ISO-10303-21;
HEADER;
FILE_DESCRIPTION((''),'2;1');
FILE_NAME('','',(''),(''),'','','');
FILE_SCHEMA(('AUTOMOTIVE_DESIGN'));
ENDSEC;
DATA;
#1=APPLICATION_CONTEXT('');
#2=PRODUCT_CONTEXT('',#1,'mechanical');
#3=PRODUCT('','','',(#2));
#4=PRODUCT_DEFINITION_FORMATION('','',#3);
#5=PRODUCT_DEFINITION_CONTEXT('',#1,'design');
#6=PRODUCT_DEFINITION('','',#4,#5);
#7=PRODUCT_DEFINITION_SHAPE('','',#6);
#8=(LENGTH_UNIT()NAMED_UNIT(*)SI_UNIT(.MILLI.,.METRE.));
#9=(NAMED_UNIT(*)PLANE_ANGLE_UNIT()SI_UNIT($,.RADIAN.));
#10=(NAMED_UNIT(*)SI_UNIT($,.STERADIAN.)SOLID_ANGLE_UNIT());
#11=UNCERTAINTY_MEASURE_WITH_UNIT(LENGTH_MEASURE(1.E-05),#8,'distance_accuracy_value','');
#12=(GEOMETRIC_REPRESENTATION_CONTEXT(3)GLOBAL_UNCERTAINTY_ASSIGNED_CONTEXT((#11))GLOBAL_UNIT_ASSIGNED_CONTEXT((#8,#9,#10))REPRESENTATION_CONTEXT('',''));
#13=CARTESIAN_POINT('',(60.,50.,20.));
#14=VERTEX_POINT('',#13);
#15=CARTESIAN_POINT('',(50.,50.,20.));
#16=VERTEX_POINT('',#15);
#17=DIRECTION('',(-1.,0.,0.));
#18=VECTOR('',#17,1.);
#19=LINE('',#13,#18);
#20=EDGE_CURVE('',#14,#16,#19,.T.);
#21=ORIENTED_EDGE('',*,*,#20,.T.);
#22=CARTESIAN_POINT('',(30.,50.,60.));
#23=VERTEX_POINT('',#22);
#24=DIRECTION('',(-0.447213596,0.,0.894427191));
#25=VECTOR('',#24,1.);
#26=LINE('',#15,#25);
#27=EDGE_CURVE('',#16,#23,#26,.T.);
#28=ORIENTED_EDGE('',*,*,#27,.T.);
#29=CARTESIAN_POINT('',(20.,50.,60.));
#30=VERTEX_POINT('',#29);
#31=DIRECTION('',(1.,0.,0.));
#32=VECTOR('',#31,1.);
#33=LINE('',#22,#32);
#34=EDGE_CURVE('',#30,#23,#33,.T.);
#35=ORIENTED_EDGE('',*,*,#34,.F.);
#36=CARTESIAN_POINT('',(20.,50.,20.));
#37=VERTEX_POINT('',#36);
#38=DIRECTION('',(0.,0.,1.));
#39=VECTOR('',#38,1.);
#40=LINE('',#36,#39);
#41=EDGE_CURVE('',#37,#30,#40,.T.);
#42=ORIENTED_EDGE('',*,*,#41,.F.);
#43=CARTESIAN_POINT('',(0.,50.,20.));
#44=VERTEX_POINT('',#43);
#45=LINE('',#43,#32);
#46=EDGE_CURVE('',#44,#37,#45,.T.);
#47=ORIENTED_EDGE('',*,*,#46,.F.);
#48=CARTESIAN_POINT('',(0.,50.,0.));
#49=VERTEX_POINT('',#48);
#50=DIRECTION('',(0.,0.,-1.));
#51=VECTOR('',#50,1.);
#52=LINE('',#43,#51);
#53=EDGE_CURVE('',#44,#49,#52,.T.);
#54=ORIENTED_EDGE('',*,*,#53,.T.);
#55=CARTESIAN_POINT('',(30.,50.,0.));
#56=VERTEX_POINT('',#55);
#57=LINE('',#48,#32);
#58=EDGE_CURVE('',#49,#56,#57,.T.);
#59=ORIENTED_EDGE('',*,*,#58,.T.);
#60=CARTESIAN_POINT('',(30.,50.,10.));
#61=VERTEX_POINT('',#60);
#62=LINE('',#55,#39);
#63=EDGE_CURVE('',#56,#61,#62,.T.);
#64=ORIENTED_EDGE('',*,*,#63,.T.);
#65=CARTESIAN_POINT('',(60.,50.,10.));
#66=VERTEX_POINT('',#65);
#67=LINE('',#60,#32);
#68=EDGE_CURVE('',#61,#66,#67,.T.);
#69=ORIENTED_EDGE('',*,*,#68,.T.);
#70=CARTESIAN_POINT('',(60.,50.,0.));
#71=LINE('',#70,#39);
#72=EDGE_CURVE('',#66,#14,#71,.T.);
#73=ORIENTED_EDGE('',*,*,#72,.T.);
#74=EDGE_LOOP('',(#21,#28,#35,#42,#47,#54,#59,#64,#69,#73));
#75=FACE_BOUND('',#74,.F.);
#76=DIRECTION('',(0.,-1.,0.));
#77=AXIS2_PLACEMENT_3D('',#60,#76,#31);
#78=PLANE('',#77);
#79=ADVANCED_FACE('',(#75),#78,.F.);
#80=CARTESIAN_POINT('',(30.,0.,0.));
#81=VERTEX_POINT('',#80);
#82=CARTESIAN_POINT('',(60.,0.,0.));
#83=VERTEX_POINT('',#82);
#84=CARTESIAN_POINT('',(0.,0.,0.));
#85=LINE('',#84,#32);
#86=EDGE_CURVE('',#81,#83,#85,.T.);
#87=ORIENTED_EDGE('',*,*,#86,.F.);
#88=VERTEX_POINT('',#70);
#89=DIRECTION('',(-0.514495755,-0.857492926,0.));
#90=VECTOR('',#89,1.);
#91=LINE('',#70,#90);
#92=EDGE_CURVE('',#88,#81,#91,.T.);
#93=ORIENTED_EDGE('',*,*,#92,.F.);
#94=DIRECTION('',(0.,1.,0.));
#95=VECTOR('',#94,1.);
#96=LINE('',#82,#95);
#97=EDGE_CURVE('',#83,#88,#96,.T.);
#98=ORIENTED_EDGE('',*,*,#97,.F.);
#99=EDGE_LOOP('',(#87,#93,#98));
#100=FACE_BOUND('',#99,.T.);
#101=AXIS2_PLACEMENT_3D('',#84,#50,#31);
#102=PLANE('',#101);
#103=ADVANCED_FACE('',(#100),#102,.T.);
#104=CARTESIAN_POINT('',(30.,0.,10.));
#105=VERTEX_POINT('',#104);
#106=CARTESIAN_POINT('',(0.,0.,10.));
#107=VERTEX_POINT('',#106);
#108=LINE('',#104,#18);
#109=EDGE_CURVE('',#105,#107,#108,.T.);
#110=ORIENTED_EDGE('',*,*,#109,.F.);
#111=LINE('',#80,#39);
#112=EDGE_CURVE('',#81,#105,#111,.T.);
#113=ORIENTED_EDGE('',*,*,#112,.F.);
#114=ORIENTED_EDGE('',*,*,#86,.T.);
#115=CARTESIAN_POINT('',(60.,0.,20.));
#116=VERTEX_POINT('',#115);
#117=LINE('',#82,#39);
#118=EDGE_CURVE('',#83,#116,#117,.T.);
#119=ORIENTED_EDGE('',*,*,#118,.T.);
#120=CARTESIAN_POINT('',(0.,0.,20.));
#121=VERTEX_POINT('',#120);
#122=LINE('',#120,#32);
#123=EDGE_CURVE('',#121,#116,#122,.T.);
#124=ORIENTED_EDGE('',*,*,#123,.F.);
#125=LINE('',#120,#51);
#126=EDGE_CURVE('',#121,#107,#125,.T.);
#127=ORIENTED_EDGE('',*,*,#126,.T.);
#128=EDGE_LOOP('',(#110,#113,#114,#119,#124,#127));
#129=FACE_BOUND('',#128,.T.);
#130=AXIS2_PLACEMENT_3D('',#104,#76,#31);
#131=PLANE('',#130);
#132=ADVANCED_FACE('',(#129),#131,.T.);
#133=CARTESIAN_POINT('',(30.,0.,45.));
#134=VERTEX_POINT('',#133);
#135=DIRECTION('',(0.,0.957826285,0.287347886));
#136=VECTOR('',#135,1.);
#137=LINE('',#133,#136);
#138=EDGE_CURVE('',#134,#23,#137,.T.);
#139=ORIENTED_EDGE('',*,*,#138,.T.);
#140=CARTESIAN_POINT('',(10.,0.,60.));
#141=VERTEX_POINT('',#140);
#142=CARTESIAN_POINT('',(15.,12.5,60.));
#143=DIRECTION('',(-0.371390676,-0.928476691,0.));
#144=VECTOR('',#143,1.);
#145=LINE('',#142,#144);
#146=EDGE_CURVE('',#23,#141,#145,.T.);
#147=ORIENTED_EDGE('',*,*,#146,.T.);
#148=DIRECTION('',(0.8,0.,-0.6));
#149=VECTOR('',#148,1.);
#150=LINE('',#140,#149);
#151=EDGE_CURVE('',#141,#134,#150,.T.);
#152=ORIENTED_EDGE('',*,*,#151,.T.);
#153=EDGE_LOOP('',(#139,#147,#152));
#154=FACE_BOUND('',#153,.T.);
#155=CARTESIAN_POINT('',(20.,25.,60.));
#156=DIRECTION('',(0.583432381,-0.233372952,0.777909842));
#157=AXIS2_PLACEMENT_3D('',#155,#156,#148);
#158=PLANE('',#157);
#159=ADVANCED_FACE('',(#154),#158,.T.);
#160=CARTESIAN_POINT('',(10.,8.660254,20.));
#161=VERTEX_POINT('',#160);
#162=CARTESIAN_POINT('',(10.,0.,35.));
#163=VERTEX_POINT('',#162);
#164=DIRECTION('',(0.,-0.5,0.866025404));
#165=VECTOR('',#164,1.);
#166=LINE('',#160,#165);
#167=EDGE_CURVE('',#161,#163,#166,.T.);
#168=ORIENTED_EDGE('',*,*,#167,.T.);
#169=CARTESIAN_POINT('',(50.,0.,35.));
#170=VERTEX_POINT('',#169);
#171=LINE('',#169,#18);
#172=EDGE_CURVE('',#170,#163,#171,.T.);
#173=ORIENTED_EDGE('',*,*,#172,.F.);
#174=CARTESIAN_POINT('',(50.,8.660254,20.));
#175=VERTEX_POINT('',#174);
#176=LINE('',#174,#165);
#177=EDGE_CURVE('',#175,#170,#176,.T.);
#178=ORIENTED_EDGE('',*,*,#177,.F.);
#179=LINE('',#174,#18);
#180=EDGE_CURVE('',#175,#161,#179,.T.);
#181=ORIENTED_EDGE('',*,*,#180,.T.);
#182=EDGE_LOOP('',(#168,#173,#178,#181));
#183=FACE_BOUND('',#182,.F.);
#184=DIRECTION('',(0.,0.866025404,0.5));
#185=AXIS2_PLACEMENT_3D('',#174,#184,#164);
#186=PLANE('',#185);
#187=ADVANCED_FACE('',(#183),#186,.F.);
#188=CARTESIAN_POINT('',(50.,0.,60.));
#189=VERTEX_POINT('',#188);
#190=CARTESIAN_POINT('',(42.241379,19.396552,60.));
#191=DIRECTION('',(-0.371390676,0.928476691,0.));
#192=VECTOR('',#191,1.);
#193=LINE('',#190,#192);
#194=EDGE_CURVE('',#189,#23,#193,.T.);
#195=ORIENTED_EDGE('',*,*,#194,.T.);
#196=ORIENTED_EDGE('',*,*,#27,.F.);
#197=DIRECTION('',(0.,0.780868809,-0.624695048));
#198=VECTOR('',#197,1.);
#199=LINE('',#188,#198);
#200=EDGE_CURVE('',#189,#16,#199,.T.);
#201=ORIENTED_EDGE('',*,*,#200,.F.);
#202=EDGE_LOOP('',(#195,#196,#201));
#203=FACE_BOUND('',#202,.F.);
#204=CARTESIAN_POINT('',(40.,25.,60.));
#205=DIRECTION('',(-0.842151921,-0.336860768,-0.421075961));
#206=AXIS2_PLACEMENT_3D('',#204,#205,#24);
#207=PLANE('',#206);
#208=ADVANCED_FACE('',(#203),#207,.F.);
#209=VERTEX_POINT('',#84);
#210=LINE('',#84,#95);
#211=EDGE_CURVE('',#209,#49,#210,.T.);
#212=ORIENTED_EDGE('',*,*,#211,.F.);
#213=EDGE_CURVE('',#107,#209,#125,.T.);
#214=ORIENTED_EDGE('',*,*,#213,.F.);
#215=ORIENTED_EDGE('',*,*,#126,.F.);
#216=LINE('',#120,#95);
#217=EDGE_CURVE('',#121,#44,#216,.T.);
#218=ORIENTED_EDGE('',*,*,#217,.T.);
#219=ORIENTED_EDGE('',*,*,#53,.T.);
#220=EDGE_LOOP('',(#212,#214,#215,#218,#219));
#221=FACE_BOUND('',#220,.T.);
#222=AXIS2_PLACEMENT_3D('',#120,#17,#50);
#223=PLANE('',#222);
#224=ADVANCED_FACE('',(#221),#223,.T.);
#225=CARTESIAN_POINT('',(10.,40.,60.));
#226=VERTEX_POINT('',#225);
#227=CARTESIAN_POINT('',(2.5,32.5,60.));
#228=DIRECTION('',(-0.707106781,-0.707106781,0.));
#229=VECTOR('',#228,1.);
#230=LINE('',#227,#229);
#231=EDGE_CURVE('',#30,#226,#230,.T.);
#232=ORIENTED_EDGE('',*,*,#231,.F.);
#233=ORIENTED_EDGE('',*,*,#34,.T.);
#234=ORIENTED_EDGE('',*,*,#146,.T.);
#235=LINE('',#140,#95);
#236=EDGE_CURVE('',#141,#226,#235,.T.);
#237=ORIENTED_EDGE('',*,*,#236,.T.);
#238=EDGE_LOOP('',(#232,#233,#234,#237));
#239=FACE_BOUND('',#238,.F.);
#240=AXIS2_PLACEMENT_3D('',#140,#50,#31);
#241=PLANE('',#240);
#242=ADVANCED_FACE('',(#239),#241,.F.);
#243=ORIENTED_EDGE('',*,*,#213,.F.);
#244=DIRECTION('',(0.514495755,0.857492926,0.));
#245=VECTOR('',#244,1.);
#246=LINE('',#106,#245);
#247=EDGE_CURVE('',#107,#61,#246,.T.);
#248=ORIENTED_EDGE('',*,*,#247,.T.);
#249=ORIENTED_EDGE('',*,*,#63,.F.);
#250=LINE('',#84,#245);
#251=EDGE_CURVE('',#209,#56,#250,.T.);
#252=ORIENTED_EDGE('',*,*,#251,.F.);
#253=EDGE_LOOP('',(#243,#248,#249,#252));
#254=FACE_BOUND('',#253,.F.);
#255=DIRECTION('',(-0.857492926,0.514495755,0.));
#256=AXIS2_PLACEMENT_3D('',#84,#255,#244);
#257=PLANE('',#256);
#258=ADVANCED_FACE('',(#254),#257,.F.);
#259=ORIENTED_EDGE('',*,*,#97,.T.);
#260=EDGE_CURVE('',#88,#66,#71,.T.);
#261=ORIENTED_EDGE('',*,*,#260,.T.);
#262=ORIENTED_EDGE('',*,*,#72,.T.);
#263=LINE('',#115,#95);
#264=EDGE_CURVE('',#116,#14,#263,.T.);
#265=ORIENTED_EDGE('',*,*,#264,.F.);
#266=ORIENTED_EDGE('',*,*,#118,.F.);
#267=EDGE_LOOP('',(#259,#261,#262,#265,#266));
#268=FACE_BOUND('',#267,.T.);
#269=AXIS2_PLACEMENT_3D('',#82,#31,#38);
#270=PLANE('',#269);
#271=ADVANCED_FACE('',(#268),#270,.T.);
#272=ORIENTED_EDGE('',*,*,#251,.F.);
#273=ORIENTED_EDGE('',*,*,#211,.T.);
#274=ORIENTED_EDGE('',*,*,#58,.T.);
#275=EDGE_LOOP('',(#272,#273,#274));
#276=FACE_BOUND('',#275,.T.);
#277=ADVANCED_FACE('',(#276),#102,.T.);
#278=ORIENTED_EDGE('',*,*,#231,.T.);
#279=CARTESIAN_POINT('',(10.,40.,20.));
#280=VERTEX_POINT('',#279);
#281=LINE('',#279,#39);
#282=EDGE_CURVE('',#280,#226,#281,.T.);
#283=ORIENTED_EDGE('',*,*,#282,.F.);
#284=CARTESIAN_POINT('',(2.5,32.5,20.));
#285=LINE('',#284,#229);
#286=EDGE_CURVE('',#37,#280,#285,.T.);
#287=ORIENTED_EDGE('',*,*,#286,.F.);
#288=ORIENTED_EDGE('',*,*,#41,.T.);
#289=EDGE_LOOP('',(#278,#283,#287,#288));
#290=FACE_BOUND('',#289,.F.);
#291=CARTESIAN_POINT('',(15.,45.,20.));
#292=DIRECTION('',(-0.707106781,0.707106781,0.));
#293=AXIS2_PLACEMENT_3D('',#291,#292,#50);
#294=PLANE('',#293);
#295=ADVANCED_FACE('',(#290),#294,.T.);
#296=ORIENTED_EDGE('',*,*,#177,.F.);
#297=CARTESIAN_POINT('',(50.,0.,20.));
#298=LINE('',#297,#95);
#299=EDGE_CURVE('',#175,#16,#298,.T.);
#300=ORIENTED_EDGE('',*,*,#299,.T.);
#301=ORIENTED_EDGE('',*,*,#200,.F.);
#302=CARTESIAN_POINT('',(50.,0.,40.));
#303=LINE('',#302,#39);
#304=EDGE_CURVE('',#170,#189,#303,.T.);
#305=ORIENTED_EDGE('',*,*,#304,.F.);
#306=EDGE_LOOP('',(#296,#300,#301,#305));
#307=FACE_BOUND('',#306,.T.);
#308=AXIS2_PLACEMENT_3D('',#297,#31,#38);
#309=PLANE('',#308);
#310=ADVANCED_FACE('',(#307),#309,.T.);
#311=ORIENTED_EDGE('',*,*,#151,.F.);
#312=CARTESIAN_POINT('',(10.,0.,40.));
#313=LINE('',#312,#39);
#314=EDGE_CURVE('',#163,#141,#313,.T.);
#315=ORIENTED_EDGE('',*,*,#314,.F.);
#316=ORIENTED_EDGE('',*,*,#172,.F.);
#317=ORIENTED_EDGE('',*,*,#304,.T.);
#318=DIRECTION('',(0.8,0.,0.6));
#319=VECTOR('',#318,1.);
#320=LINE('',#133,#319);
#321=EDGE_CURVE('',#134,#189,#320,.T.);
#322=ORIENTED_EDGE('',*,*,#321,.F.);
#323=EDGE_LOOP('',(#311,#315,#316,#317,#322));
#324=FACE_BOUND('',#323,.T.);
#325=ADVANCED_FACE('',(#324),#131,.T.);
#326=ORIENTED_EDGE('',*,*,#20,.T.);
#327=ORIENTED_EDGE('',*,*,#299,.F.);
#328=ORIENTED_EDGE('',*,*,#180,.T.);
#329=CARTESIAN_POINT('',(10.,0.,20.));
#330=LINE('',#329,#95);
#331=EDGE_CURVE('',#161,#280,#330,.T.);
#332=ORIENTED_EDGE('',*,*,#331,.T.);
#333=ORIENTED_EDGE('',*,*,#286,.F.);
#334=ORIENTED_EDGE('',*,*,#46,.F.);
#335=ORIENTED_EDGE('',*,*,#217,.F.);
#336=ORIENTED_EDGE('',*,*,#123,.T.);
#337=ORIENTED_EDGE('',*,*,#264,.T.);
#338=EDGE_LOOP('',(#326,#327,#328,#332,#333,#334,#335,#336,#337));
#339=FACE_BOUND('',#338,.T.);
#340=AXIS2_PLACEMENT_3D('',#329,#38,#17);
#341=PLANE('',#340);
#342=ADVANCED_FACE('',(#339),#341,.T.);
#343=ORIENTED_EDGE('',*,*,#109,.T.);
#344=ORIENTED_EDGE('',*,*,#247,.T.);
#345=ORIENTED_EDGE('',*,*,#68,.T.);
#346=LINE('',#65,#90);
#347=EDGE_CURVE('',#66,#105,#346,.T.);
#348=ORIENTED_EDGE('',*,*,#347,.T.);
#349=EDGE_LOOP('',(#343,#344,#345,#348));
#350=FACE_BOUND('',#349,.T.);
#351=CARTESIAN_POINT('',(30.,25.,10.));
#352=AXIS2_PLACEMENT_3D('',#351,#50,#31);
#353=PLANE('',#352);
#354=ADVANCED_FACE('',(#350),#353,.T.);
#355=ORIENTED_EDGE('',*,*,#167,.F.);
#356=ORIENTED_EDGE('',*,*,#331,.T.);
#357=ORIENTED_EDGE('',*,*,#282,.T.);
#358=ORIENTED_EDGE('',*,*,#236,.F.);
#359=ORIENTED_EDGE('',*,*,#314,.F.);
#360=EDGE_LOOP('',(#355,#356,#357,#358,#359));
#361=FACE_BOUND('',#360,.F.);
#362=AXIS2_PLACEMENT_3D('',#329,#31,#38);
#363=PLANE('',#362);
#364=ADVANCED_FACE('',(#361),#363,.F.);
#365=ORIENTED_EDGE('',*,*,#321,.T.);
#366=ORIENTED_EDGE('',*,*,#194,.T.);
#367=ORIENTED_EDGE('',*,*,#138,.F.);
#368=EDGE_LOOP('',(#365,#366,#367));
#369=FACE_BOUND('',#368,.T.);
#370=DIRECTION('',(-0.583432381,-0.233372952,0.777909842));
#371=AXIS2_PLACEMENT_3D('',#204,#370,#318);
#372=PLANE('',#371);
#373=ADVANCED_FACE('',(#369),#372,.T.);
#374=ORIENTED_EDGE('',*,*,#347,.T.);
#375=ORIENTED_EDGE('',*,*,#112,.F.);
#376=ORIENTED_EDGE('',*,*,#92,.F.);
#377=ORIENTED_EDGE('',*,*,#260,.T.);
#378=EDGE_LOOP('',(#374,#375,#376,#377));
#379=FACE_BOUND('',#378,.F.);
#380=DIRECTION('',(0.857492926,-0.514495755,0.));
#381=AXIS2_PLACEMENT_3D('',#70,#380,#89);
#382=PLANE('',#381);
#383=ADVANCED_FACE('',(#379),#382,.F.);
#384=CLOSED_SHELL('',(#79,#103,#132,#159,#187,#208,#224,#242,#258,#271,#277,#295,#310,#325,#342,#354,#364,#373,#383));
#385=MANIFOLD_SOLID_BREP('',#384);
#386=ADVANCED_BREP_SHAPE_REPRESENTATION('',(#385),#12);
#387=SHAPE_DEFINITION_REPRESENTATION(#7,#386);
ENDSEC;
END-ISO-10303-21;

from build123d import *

# Parameters (mm, degrees)
F0_W     = 40
F0_H     = 40
F1_DEPTH = 50
F3_DEPTH = 10
F5_DEPTH = 40
F6_SIZE  = 10


with BuildPart() as f1:
    # F0 (on Front) → F1 (new body)
    with BuildSketch(Plane.XZ):
        Polygon((0, 20), (0, 0), (60, 0), (60, 20), (50, 20), (10, 20), align=None)
        with Locations((30, 40)):
            Rectangle(F0_W, F0_H)
    extrude(amount=-F1_DEPTH)

    # F2 (on face) → F3 (cut)
    with BuildSketch(Plane(origin=(0, 0, 0), x_dir=(1, 0, 0), z_dir=(0, 0, -1))):
        Polygon((30, 0), (0, 0), (30, -50), (60, -50), align=None)
    extrude(amount=-F3_DEPTH, mode=Mode.SUBTRACT)

    # F4 (on face) → F5 (cut, through all)
    with BuildSketch(Plane.YZ.offset(50)):
        Polygon((0, 35), (0, 20), (8.6602540378, 20), align=None)
    extrude(amount=-F5_DEPTH, mode=Mode.SUBTRACT)

    # F6
    f6_edges = [f1.edges().sort_by_distance(p)[0] for p in [
        (10, 50, 40),
    ]]
    chamfer(f6_edges, length=F6_SIZE)

    # F9: sweep along a path in F8
    with BuildLine(Plane.YZ.offset(50)) as f9_path:
        Line((0, 45), (50, 60))
    # F7 (on face) → F9 (sweep, cut)
    with BuildSketch(Plane.XZ):
        Polygon((50, 60), (10, 60), (30, 45), align=None)
    sweep(path=f9_path.line, mode=Mode.SUBTRACT)

    # F12: sweep along a path in F11
    with BuildLine(Plane.YZ.offset(50)) as f12_path:
        Line((0, 60), (50, 20))
    # F10 (on face) → F12 (sweep, cut)
    with BuildSketch(Plane(origin=(0, 50, 0), x_dir=(-1, 0, 0), z_dir=(0, 1, 0))):
        Polygon((-50, 20), (-30, 60), (-50, 60), align=None)
    sweep(path=f12_path.line, mode=Mode.SUBTRACT)


solid = f1.part
